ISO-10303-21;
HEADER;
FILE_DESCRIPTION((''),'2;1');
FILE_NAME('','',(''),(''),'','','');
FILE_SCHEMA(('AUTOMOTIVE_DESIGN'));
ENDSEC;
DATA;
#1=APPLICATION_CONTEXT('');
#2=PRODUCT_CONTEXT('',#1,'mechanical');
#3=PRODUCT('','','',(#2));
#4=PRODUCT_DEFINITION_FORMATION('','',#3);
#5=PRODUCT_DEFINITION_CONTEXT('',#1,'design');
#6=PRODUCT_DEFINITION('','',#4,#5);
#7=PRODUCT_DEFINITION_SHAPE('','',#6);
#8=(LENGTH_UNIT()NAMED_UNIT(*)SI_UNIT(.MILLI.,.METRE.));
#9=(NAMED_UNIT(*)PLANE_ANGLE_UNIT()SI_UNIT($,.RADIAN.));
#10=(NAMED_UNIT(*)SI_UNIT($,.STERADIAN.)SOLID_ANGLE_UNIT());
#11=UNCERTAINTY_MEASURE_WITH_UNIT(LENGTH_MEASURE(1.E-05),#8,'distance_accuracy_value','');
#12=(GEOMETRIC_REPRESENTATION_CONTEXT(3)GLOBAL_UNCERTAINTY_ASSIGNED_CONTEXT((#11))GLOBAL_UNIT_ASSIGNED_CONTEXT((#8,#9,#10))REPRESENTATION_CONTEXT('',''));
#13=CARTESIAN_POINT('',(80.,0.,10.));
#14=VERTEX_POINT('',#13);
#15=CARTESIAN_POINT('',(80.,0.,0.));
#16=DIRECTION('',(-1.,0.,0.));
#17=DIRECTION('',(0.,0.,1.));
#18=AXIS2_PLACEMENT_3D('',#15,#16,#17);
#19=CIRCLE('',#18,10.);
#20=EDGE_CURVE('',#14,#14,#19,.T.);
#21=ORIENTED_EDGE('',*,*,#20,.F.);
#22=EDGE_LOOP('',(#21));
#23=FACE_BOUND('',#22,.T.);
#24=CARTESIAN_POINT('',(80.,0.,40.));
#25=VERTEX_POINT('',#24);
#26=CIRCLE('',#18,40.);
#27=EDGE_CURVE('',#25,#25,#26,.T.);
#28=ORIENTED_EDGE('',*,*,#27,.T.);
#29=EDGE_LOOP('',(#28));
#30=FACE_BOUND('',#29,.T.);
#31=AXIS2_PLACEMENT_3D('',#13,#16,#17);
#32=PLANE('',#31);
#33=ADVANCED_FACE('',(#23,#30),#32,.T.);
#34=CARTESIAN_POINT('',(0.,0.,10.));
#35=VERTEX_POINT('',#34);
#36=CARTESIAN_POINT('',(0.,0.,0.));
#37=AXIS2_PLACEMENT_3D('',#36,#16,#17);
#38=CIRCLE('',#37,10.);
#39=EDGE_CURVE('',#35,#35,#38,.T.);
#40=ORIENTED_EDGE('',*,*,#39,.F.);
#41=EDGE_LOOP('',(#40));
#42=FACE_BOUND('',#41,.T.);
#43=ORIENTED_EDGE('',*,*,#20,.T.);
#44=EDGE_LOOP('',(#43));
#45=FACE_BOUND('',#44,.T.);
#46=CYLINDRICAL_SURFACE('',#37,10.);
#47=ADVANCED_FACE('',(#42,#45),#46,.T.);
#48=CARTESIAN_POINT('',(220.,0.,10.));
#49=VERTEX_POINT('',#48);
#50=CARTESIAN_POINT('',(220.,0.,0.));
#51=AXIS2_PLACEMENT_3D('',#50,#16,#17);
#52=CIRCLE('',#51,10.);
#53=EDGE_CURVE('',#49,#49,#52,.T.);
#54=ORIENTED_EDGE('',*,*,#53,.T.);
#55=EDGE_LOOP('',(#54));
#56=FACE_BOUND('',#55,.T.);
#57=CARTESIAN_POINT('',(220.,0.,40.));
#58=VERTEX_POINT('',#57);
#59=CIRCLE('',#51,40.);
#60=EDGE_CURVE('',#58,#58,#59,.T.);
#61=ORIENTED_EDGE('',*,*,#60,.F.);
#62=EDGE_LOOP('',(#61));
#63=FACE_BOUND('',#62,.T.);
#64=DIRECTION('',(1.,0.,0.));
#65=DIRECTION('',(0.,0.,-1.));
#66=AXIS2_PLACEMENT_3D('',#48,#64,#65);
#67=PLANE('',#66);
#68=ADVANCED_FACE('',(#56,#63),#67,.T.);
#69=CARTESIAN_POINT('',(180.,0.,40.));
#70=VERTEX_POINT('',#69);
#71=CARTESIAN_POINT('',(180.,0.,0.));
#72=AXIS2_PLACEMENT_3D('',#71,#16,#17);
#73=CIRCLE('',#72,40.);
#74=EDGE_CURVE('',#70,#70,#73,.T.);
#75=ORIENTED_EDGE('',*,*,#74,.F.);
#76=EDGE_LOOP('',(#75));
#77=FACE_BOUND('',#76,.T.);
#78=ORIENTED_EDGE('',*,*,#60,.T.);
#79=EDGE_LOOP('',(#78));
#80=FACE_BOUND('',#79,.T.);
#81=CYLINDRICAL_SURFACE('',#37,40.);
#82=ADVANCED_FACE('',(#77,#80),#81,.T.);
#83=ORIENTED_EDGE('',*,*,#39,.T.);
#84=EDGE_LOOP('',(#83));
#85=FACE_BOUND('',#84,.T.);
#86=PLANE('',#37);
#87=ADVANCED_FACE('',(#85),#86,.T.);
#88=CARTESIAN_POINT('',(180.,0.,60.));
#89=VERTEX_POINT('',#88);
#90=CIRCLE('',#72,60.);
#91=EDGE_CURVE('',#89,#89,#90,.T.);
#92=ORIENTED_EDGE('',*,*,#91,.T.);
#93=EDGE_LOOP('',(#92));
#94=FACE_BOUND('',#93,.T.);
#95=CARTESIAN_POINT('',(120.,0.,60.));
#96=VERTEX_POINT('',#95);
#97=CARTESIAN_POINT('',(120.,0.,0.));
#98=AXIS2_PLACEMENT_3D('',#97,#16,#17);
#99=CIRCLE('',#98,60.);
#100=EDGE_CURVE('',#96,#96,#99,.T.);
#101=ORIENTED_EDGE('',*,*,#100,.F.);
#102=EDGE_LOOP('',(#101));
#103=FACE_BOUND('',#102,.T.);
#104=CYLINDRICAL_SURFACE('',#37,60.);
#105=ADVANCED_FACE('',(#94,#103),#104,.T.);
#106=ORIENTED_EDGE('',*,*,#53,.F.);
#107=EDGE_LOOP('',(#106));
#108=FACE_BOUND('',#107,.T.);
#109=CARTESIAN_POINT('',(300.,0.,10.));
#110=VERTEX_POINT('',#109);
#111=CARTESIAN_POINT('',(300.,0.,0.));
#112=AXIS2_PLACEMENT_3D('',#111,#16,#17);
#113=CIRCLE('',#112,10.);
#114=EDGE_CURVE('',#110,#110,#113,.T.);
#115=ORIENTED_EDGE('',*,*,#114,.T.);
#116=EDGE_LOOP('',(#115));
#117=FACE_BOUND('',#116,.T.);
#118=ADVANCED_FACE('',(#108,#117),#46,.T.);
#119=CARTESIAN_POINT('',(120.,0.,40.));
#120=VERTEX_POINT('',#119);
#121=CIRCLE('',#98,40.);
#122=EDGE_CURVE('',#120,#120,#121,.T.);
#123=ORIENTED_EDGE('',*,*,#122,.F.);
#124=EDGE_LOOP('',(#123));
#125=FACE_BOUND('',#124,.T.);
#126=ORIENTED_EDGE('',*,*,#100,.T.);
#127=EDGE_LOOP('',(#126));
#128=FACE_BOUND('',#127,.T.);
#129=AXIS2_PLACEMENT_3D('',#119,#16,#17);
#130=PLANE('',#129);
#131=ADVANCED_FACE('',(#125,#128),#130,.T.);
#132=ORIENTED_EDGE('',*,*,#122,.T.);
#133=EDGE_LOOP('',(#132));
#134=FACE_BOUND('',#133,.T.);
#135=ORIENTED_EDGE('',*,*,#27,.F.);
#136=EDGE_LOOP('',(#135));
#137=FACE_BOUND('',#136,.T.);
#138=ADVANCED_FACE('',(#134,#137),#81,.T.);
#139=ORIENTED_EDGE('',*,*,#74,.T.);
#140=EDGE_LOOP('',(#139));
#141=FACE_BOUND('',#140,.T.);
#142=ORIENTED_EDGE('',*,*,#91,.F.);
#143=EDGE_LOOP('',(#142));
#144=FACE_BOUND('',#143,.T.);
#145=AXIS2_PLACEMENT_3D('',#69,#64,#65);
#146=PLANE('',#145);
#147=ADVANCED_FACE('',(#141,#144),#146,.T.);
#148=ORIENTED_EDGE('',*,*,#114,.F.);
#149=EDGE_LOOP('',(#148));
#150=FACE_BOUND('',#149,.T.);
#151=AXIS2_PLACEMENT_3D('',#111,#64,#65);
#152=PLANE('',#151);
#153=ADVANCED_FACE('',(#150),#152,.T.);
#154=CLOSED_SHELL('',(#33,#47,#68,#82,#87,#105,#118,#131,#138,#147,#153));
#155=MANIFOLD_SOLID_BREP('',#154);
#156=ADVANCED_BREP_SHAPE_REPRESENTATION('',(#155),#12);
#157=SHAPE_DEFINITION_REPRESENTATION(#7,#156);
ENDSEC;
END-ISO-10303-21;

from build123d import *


with BuildPart() as part:
    # Sketch1 → Revolve1 (revolve)
    with BuildSketch(Plane(origin=(0, 0, 0), x_dir=(1, 0, 0), z_dir=(0, 1, 0))):
        Polygon((0, 0), (300, 0), (300, -10), (220, -10), (220, -40), (180, -40), (180, -60), (120, -60), (120, -40), (80, -40), (80, -10), (0, -10), align=None)
    revolve(axis=Axis((0, 0, 0), (1, 0, 0)))


solid = part.part
